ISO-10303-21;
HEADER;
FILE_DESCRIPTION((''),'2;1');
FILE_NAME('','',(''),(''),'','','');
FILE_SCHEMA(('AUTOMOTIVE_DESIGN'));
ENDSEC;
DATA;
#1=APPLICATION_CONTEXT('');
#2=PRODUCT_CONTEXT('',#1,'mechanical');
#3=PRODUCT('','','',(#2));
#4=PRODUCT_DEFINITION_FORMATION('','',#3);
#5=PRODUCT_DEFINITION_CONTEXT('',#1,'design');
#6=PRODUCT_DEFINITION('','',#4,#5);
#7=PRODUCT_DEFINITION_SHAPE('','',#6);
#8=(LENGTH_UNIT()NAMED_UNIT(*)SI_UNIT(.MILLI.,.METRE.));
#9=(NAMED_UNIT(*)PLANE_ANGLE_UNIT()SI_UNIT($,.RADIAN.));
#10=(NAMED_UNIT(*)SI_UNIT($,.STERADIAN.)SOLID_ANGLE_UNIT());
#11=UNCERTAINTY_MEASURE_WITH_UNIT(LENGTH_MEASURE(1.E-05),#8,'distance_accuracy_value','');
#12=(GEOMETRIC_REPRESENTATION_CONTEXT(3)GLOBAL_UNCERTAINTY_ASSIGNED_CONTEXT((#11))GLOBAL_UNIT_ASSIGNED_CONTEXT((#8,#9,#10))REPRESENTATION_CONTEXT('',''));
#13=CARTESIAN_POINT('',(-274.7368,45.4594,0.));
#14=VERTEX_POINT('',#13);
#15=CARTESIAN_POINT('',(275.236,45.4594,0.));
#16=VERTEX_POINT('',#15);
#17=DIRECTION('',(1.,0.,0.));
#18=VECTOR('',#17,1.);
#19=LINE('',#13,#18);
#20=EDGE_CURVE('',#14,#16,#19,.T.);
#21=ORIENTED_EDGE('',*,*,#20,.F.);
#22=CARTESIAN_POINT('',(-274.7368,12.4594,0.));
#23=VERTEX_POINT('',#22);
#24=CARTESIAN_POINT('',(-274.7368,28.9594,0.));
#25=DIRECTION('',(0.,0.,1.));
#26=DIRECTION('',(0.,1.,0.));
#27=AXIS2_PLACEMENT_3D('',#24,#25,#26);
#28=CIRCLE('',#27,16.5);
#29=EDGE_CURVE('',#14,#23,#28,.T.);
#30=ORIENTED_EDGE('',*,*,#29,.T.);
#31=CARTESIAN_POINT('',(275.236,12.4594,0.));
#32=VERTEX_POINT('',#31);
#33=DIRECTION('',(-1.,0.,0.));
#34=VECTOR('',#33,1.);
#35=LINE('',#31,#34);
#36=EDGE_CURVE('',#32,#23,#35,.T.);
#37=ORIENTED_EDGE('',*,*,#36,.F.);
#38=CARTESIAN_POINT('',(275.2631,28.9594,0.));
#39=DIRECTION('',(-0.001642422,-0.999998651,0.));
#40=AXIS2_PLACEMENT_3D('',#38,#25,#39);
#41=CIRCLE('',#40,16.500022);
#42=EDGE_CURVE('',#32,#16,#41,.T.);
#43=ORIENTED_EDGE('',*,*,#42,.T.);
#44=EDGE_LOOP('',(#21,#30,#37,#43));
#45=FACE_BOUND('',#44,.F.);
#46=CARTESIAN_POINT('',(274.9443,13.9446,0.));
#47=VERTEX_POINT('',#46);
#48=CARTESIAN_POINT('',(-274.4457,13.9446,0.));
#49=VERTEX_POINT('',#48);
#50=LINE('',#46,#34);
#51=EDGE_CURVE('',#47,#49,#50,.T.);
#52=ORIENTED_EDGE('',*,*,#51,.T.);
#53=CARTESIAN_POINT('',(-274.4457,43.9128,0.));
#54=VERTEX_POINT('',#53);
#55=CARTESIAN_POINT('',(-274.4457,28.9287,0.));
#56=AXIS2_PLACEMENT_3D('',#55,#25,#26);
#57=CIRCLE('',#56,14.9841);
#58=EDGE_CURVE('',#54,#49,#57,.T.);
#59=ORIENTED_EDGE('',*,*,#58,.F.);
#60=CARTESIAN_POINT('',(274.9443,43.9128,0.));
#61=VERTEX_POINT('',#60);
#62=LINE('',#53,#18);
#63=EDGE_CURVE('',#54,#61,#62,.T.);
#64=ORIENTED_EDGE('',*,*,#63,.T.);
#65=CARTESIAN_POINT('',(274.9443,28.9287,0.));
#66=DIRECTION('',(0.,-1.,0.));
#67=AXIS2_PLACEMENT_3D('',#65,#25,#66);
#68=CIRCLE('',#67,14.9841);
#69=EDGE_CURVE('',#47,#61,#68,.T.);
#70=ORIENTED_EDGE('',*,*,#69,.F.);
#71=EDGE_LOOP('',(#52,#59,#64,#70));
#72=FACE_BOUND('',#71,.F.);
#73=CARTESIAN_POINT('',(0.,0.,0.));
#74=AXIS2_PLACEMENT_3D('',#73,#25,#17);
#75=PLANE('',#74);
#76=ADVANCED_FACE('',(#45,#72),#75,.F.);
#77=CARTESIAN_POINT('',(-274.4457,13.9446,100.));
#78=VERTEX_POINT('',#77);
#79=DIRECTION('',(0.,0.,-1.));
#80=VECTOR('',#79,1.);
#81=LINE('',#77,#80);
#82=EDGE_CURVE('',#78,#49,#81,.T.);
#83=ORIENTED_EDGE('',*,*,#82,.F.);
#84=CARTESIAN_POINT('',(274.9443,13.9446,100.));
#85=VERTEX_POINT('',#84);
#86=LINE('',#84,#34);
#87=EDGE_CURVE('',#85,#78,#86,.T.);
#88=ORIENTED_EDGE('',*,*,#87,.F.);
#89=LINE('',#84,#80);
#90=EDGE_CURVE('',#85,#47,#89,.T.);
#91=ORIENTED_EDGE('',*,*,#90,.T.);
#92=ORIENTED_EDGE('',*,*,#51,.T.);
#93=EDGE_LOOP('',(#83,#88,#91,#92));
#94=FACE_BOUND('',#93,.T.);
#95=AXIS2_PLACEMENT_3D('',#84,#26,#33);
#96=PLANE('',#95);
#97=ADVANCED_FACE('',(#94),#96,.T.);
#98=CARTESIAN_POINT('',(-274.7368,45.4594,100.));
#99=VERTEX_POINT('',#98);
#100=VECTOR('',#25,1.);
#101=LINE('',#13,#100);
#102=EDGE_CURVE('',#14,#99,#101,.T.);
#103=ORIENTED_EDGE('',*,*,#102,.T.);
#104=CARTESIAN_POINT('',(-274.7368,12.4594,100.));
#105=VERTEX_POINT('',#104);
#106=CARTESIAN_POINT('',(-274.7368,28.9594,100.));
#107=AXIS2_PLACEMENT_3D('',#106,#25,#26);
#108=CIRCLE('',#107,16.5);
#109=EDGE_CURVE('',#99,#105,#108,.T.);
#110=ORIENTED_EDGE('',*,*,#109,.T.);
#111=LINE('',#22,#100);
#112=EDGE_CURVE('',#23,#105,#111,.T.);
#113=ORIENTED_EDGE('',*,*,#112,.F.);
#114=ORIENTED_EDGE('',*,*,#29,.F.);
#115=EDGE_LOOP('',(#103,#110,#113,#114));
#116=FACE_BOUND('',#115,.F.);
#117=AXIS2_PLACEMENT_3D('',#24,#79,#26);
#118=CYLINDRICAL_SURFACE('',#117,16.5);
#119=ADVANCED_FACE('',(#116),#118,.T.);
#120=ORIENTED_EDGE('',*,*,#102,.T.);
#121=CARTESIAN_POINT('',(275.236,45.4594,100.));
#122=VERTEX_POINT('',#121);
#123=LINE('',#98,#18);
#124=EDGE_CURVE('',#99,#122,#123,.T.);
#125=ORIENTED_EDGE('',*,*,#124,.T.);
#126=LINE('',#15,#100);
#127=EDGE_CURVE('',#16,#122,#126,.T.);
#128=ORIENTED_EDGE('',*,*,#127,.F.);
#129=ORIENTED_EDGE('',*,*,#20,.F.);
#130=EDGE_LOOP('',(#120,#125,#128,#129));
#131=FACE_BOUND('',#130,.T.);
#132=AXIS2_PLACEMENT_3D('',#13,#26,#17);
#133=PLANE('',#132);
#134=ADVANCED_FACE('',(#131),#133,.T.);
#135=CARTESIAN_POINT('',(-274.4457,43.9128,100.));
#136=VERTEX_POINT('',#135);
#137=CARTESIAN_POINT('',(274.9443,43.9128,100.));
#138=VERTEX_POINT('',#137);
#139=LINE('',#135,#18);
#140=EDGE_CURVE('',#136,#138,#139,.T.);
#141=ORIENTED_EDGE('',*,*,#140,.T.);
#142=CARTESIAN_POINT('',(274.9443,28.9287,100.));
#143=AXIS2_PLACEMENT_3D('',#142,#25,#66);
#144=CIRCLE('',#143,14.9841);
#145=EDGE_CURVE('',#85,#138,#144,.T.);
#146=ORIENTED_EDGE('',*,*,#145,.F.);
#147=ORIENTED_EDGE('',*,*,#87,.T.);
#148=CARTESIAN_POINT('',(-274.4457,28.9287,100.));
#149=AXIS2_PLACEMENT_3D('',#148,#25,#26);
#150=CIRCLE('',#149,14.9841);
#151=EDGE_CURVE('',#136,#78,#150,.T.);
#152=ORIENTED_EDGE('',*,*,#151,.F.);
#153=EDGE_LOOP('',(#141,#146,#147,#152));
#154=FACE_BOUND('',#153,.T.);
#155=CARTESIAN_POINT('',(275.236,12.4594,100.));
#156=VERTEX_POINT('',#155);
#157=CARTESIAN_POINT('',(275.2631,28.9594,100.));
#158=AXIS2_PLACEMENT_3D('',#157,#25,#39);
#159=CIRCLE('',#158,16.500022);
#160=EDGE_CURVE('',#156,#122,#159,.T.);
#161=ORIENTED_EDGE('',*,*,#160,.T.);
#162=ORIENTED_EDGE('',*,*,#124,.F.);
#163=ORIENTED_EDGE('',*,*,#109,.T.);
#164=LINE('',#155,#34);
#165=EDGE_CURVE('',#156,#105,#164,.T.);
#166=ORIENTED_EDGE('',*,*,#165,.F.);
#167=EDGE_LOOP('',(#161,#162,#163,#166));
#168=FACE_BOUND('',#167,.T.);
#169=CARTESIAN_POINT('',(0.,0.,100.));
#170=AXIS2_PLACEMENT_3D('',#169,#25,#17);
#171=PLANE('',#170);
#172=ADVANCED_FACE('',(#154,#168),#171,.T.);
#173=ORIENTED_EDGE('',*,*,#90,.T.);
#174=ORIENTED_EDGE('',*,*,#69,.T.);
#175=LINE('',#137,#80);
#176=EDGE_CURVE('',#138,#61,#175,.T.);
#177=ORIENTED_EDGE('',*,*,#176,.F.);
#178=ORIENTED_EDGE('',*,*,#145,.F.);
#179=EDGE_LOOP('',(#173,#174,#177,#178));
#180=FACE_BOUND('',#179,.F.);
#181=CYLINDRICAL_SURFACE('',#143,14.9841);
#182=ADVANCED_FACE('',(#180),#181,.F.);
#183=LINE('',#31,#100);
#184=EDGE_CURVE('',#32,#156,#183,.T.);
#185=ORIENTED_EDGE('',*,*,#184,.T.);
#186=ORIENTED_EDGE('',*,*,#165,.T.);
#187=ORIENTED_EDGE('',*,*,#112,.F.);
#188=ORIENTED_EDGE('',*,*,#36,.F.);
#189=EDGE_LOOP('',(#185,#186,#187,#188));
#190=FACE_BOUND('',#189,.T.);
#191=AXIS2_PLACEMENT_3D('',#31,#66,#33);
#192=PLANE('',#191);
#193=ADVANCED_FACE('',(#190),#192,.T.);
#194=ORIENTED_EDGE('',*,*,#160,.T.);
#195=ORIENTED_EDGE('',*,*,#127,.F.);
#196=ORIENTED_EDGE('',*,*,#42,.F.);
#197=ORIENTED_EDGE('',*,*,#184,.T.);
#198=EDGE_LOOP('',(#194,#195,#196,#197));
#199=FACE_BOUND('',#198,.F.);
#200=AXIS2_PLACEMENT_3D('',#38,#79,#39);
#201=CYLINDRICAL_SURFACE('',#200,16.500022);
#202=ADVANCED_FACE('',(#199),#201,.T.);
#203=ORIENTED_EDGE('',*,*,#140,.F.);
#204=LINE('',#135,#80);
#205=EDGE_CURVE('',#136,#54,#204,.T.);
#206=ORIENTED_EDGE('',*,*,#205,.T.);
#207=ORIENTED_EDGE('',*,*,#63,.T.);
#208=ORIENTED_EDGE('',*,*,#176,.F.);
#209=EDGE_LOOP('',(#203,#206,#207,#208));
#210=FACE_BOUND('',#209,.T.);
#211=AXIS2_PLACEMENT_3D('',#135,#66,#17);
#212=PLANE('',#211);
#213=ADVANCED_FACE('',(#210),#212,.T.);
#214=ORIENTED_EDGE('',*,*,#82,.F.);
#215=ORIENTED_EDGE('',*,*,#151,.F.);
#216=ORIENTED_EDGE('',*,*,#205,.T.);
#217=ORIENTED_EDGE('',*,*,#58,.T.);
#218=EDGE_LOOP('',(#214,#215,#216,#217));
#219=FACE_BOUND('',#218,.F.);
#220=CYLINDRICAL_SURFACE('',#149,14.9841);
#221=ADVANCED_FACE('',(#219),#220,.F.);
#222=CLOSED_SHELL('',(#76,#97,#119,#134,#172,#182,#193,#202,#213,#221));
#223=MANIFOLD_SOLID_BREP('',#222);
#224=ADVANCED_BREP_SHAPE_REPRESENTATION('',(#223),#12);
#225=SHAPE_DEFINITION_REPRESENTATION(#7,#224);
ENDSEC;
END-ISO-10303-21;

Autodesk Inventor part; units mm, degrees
ref_plane "YZ Plane" through (0, 0, 0) normal (1, 0, 0) x (0, 1, 0)
ref_plane "XZ Plane" through (0, 0, 0) normal (0, 1, 0) x (-1, 0, 0)
ref_plane "XY Plane" through (0, 0, 0) normal (0, 0, 1) x (1, 0, 0)
sketch "Boceto1" plane through (0, 0, 0) normal (0, 0, 1) x (1, 0, 0)
  arc A0 (275.236, 12.4594) -> (275.236, 45.4594) centre (275.2631, 28.9594) ccw
  line L0 (275.236, 12.4594) -> (-274.7368, 12.4594)
  arc A1 (-274.7368, 45.4594) -> (-274.7368, 12.4594) centre (-274.7368, 28.9594) ccw
  line L1 (-274.7368, 45.4594) -> (275.236, 45.4594)
  point P0 (0, 0)
  point P1 (0, 43.9853)
  point P2 (0, 13.9594)
  point P3 (290.2632, 28.9594)
  point P4 (-289.7368, 28.9594)
  dimension "d5" = 580
extrude "Extrusión1" add sketch "Boceto1" along normal blind 100
sketch "Boceto2" plane through (0, 0, 100) normal (0, 0, 1) x (1, 0, 0)
  line L0 (-274.4457, 43.9128) -> (274.9443, 43.9128)
  line L1 (275.236, 45.4594) -> (-274.7368, 45.4594) projected
  line L2 (274.9443, 13.9446) -> (-274.4457, 13.9446)
  line L3 (-274.7368, 12.4594) -> (275.236, 12.4594) projected
  arc A0 (-274.4457, 43.9128) -> (-274.4457, 13.9446) centre (-274.4457, 28.9287) ccw
  arc A1 (274.9443, 13.9446) -> (274.9443, 43.9128) centre (274.9443, 28.9287) ccw
  arc A2 (-274.7368, 45.4594) -> (-274.7368, 12.4594) centre (-274.7368, 28.9594) ccw projected
  point P0 (0, 0)
  dimension "d18" = 549.39
extrude "Extrusión2" cut sketch "Boceto2" against normal blind 100
properties part number "Banda" material "Caucho, Silicona"
